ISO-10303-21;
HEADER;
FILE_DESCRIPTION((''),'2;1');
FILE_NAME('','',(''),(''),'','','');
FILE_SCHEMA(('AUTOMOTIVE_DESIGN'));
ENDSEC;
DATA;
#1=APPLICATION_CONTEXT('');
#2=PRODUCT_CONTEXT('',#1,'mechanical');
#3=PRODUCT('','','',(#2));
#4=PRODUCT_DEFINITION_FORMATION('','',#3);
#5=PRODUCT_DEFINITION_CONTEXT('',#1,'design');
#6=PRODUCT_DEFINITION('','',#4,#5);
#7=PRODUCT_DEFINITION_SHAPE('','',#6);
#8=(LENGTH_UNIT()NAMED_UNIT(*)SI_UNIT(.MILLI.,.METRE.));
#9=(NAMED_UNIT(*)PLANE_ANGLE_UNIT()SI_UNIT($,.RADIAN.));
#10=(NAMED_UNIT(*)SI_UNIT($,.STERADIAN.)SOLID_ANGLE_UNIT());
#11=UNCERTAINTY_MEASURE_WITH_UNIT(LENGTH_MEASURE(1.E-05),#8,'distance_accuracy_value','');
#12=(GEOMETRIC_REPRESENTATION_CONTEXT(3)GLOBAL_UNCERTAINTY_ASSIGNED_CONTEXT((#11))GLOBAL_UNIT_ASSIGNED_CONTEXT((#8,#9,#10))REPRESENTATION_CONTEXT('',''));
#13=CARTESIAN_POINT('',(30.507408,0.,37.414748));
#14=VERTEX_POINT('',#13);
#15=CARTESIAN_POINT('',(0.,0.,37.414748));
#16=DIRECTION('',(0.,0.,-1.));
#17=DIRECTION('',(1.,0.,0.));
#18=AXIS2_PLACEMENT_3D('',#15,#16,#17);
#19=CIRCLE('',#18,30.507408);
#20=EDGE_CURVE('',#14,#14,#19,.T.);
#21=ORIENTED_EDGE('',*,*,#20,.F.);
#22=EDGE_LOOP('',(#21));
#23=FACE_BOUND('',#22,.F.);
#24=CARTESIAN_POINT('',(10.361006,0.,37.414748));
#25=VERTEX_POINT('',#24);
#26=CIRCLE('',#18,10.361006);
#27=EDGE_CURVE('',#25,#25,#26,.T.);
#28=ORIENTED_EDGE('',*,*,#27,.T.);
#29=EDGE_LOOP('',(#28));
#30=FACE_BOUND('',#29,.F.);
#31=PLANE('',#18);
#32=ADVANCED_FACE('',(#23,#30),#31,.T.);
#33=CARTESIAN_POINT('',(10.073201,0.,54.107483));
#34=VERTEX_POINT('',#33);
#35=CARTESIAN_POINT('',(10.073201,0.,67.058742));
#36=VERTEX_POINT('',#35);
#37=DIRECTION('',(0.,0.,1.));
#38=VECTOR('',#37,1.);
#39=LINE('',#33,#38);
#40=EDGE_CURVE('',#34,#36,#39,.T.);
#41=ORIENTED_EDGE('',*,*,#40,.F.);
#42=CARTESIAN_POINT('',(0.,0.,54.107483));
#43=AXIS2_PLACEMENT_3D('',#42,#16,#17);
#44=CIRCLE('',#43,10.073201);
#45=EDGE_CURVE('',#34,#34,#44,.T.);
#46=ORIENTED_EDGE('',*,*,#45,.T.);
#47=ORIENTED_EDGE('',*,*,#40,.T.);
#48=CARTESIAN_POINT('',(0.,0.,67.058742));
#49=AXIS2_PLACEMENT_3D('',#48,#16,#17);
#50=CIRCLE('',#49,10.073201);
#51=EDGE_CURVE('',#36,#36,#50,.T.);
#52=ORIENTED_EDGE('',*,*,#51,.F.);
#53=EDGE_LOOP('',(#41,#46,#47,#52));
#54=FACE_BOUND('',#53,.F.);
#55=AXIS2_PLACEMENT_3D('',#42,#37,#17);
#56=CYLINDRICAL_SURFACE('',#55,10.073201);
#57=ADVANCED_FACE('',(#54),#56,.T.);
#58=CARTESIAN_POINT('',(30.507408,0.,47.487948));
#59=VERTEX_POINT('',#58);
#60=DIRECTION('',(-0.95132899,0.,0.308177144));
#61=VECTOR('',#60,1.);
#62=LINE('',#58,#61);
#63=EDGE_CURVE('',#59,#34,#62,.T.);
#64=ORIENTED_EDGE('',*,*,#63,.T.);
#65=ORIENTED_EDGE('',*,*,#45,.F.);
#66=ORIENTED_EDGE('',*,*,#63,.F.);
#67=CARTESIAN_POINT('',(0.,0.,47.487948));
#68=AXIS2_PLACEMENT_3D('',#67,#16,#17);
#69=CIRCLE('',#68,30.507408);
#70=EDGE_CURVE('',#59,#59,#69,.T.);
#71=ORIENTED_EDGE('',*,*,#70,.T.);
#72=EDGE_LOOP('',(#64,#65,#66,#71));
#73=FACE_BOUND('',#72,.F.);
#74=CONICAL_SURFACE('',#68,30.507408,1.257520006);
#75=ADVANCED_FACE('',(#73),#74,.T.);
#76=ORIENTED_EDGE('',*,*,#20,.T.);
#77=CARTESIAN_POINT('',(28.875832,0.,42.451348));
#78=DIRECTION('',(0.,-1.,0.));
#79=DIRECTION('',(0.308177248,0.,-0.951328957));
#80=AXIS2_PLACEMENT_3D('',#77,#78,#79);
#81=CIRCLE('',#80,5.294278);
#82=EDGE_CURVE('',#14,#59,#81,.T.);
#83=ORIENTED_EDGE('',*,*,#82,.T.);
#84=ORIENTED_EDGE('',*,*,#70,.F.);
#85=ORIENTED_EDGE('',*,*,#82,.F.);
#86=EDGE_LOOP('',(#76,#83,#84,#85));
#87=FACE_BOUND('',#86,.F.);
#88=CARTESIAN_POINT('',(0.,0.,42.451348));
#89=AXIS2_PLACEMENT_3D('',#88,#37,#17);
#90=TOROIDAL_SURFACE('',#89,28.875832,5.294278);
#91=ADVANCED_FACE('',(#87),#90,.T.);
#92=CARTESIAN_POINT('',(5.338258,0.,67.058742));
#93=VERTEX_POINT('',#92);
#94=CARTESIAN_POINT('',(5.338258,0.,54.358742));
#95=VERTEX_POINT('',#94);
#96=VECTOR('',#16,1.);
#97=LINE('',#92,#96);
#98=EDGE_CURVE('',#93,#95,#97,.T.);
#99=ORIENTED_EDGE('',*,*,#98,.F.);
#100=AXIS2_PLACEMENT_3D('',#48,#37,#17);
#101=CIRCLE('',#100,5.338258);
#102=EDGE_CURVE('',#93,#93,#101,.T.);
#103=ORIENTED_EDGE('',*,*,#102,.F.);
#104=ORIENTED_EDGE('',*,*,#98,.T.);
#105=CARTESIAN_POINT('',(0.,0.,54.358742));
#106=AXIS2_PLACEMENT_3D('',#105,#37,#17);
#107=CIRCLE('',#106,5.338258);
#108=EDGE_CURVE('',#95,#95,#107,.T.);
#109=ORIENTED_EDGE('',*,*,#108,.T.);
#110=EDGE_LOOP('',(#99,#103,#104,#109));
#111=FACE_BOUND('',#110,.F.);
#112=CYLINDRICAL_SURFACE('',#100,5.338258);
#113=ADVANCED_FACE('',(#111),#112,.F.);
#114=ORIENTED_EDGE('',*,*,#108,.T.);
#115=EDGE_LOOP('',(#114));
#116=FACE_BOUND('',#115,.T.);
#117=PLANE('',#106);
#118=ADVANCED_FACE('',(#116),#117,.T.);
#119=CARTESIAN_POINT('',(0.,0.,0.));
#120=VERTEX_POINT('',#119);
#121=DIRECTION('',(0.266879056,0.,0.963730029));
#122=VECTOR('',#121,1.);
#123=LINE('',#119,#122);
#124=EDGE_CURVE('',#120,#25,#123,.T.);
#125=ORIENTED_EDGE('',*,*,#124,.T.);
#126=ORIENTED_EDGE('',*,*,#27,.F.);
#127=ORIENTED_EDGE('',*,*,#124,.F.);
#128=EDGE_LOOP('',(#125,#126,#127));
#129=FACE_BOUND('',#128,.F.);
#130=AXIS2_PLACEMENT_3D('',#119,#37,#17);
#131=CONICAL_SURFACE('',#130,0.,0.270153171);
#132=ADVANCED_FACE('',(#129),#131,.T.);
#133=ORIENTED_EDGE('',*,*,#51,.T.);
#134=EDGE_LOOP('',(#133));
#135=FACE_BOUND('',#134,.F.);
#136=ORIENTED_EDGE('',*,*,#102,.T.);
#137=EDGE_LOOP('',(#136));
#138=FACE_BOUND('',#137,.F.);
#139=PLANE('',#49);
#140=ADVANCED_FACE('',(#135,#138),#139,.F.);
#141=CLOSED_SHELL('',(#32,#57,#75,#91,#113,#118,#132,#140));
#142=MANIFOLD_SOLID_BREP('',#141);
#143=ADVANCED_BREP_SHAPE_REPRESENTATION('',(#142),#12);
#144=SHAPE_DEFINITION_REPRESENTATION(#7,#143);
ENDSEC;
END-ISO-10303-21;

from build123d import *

# Parameters (mm, degrees)
F2_R     = 5.338258
F3_DEPTH = 12.7


with BuildPart() as f1:
    # F0 (on Front) → F1 (revolve)
    with BuildSketch(Plane.XZ):
        Polygon((0, 67.058742), (0, 0), (10.361006, 37.414748), (30.507408, 37.414748), (30.507408, 47.487948), (10.073201, 54.107483), (10.073201, 67.058742), align=None)
        with BuildLine():
            Line((30.507408, 47.487948), (30.507408, 37.414748))
            ThreePointArc((30.507408, 37.414748), (34.17011, 42.451348), (30.507408, 47.487948))
        make_face()
    revolve(axis=Axis((0, 0, 33.529371), (0, 0, -1)))

    # F2 (on face) → F3 (cut)
    with BuildSketch(Plane.XY.offset(67.058742)):
        Circle(F2_R)
    extrude(amount=-F3_DEPTH, mode=Mode.SUBTRACT)


solid = f1.part
